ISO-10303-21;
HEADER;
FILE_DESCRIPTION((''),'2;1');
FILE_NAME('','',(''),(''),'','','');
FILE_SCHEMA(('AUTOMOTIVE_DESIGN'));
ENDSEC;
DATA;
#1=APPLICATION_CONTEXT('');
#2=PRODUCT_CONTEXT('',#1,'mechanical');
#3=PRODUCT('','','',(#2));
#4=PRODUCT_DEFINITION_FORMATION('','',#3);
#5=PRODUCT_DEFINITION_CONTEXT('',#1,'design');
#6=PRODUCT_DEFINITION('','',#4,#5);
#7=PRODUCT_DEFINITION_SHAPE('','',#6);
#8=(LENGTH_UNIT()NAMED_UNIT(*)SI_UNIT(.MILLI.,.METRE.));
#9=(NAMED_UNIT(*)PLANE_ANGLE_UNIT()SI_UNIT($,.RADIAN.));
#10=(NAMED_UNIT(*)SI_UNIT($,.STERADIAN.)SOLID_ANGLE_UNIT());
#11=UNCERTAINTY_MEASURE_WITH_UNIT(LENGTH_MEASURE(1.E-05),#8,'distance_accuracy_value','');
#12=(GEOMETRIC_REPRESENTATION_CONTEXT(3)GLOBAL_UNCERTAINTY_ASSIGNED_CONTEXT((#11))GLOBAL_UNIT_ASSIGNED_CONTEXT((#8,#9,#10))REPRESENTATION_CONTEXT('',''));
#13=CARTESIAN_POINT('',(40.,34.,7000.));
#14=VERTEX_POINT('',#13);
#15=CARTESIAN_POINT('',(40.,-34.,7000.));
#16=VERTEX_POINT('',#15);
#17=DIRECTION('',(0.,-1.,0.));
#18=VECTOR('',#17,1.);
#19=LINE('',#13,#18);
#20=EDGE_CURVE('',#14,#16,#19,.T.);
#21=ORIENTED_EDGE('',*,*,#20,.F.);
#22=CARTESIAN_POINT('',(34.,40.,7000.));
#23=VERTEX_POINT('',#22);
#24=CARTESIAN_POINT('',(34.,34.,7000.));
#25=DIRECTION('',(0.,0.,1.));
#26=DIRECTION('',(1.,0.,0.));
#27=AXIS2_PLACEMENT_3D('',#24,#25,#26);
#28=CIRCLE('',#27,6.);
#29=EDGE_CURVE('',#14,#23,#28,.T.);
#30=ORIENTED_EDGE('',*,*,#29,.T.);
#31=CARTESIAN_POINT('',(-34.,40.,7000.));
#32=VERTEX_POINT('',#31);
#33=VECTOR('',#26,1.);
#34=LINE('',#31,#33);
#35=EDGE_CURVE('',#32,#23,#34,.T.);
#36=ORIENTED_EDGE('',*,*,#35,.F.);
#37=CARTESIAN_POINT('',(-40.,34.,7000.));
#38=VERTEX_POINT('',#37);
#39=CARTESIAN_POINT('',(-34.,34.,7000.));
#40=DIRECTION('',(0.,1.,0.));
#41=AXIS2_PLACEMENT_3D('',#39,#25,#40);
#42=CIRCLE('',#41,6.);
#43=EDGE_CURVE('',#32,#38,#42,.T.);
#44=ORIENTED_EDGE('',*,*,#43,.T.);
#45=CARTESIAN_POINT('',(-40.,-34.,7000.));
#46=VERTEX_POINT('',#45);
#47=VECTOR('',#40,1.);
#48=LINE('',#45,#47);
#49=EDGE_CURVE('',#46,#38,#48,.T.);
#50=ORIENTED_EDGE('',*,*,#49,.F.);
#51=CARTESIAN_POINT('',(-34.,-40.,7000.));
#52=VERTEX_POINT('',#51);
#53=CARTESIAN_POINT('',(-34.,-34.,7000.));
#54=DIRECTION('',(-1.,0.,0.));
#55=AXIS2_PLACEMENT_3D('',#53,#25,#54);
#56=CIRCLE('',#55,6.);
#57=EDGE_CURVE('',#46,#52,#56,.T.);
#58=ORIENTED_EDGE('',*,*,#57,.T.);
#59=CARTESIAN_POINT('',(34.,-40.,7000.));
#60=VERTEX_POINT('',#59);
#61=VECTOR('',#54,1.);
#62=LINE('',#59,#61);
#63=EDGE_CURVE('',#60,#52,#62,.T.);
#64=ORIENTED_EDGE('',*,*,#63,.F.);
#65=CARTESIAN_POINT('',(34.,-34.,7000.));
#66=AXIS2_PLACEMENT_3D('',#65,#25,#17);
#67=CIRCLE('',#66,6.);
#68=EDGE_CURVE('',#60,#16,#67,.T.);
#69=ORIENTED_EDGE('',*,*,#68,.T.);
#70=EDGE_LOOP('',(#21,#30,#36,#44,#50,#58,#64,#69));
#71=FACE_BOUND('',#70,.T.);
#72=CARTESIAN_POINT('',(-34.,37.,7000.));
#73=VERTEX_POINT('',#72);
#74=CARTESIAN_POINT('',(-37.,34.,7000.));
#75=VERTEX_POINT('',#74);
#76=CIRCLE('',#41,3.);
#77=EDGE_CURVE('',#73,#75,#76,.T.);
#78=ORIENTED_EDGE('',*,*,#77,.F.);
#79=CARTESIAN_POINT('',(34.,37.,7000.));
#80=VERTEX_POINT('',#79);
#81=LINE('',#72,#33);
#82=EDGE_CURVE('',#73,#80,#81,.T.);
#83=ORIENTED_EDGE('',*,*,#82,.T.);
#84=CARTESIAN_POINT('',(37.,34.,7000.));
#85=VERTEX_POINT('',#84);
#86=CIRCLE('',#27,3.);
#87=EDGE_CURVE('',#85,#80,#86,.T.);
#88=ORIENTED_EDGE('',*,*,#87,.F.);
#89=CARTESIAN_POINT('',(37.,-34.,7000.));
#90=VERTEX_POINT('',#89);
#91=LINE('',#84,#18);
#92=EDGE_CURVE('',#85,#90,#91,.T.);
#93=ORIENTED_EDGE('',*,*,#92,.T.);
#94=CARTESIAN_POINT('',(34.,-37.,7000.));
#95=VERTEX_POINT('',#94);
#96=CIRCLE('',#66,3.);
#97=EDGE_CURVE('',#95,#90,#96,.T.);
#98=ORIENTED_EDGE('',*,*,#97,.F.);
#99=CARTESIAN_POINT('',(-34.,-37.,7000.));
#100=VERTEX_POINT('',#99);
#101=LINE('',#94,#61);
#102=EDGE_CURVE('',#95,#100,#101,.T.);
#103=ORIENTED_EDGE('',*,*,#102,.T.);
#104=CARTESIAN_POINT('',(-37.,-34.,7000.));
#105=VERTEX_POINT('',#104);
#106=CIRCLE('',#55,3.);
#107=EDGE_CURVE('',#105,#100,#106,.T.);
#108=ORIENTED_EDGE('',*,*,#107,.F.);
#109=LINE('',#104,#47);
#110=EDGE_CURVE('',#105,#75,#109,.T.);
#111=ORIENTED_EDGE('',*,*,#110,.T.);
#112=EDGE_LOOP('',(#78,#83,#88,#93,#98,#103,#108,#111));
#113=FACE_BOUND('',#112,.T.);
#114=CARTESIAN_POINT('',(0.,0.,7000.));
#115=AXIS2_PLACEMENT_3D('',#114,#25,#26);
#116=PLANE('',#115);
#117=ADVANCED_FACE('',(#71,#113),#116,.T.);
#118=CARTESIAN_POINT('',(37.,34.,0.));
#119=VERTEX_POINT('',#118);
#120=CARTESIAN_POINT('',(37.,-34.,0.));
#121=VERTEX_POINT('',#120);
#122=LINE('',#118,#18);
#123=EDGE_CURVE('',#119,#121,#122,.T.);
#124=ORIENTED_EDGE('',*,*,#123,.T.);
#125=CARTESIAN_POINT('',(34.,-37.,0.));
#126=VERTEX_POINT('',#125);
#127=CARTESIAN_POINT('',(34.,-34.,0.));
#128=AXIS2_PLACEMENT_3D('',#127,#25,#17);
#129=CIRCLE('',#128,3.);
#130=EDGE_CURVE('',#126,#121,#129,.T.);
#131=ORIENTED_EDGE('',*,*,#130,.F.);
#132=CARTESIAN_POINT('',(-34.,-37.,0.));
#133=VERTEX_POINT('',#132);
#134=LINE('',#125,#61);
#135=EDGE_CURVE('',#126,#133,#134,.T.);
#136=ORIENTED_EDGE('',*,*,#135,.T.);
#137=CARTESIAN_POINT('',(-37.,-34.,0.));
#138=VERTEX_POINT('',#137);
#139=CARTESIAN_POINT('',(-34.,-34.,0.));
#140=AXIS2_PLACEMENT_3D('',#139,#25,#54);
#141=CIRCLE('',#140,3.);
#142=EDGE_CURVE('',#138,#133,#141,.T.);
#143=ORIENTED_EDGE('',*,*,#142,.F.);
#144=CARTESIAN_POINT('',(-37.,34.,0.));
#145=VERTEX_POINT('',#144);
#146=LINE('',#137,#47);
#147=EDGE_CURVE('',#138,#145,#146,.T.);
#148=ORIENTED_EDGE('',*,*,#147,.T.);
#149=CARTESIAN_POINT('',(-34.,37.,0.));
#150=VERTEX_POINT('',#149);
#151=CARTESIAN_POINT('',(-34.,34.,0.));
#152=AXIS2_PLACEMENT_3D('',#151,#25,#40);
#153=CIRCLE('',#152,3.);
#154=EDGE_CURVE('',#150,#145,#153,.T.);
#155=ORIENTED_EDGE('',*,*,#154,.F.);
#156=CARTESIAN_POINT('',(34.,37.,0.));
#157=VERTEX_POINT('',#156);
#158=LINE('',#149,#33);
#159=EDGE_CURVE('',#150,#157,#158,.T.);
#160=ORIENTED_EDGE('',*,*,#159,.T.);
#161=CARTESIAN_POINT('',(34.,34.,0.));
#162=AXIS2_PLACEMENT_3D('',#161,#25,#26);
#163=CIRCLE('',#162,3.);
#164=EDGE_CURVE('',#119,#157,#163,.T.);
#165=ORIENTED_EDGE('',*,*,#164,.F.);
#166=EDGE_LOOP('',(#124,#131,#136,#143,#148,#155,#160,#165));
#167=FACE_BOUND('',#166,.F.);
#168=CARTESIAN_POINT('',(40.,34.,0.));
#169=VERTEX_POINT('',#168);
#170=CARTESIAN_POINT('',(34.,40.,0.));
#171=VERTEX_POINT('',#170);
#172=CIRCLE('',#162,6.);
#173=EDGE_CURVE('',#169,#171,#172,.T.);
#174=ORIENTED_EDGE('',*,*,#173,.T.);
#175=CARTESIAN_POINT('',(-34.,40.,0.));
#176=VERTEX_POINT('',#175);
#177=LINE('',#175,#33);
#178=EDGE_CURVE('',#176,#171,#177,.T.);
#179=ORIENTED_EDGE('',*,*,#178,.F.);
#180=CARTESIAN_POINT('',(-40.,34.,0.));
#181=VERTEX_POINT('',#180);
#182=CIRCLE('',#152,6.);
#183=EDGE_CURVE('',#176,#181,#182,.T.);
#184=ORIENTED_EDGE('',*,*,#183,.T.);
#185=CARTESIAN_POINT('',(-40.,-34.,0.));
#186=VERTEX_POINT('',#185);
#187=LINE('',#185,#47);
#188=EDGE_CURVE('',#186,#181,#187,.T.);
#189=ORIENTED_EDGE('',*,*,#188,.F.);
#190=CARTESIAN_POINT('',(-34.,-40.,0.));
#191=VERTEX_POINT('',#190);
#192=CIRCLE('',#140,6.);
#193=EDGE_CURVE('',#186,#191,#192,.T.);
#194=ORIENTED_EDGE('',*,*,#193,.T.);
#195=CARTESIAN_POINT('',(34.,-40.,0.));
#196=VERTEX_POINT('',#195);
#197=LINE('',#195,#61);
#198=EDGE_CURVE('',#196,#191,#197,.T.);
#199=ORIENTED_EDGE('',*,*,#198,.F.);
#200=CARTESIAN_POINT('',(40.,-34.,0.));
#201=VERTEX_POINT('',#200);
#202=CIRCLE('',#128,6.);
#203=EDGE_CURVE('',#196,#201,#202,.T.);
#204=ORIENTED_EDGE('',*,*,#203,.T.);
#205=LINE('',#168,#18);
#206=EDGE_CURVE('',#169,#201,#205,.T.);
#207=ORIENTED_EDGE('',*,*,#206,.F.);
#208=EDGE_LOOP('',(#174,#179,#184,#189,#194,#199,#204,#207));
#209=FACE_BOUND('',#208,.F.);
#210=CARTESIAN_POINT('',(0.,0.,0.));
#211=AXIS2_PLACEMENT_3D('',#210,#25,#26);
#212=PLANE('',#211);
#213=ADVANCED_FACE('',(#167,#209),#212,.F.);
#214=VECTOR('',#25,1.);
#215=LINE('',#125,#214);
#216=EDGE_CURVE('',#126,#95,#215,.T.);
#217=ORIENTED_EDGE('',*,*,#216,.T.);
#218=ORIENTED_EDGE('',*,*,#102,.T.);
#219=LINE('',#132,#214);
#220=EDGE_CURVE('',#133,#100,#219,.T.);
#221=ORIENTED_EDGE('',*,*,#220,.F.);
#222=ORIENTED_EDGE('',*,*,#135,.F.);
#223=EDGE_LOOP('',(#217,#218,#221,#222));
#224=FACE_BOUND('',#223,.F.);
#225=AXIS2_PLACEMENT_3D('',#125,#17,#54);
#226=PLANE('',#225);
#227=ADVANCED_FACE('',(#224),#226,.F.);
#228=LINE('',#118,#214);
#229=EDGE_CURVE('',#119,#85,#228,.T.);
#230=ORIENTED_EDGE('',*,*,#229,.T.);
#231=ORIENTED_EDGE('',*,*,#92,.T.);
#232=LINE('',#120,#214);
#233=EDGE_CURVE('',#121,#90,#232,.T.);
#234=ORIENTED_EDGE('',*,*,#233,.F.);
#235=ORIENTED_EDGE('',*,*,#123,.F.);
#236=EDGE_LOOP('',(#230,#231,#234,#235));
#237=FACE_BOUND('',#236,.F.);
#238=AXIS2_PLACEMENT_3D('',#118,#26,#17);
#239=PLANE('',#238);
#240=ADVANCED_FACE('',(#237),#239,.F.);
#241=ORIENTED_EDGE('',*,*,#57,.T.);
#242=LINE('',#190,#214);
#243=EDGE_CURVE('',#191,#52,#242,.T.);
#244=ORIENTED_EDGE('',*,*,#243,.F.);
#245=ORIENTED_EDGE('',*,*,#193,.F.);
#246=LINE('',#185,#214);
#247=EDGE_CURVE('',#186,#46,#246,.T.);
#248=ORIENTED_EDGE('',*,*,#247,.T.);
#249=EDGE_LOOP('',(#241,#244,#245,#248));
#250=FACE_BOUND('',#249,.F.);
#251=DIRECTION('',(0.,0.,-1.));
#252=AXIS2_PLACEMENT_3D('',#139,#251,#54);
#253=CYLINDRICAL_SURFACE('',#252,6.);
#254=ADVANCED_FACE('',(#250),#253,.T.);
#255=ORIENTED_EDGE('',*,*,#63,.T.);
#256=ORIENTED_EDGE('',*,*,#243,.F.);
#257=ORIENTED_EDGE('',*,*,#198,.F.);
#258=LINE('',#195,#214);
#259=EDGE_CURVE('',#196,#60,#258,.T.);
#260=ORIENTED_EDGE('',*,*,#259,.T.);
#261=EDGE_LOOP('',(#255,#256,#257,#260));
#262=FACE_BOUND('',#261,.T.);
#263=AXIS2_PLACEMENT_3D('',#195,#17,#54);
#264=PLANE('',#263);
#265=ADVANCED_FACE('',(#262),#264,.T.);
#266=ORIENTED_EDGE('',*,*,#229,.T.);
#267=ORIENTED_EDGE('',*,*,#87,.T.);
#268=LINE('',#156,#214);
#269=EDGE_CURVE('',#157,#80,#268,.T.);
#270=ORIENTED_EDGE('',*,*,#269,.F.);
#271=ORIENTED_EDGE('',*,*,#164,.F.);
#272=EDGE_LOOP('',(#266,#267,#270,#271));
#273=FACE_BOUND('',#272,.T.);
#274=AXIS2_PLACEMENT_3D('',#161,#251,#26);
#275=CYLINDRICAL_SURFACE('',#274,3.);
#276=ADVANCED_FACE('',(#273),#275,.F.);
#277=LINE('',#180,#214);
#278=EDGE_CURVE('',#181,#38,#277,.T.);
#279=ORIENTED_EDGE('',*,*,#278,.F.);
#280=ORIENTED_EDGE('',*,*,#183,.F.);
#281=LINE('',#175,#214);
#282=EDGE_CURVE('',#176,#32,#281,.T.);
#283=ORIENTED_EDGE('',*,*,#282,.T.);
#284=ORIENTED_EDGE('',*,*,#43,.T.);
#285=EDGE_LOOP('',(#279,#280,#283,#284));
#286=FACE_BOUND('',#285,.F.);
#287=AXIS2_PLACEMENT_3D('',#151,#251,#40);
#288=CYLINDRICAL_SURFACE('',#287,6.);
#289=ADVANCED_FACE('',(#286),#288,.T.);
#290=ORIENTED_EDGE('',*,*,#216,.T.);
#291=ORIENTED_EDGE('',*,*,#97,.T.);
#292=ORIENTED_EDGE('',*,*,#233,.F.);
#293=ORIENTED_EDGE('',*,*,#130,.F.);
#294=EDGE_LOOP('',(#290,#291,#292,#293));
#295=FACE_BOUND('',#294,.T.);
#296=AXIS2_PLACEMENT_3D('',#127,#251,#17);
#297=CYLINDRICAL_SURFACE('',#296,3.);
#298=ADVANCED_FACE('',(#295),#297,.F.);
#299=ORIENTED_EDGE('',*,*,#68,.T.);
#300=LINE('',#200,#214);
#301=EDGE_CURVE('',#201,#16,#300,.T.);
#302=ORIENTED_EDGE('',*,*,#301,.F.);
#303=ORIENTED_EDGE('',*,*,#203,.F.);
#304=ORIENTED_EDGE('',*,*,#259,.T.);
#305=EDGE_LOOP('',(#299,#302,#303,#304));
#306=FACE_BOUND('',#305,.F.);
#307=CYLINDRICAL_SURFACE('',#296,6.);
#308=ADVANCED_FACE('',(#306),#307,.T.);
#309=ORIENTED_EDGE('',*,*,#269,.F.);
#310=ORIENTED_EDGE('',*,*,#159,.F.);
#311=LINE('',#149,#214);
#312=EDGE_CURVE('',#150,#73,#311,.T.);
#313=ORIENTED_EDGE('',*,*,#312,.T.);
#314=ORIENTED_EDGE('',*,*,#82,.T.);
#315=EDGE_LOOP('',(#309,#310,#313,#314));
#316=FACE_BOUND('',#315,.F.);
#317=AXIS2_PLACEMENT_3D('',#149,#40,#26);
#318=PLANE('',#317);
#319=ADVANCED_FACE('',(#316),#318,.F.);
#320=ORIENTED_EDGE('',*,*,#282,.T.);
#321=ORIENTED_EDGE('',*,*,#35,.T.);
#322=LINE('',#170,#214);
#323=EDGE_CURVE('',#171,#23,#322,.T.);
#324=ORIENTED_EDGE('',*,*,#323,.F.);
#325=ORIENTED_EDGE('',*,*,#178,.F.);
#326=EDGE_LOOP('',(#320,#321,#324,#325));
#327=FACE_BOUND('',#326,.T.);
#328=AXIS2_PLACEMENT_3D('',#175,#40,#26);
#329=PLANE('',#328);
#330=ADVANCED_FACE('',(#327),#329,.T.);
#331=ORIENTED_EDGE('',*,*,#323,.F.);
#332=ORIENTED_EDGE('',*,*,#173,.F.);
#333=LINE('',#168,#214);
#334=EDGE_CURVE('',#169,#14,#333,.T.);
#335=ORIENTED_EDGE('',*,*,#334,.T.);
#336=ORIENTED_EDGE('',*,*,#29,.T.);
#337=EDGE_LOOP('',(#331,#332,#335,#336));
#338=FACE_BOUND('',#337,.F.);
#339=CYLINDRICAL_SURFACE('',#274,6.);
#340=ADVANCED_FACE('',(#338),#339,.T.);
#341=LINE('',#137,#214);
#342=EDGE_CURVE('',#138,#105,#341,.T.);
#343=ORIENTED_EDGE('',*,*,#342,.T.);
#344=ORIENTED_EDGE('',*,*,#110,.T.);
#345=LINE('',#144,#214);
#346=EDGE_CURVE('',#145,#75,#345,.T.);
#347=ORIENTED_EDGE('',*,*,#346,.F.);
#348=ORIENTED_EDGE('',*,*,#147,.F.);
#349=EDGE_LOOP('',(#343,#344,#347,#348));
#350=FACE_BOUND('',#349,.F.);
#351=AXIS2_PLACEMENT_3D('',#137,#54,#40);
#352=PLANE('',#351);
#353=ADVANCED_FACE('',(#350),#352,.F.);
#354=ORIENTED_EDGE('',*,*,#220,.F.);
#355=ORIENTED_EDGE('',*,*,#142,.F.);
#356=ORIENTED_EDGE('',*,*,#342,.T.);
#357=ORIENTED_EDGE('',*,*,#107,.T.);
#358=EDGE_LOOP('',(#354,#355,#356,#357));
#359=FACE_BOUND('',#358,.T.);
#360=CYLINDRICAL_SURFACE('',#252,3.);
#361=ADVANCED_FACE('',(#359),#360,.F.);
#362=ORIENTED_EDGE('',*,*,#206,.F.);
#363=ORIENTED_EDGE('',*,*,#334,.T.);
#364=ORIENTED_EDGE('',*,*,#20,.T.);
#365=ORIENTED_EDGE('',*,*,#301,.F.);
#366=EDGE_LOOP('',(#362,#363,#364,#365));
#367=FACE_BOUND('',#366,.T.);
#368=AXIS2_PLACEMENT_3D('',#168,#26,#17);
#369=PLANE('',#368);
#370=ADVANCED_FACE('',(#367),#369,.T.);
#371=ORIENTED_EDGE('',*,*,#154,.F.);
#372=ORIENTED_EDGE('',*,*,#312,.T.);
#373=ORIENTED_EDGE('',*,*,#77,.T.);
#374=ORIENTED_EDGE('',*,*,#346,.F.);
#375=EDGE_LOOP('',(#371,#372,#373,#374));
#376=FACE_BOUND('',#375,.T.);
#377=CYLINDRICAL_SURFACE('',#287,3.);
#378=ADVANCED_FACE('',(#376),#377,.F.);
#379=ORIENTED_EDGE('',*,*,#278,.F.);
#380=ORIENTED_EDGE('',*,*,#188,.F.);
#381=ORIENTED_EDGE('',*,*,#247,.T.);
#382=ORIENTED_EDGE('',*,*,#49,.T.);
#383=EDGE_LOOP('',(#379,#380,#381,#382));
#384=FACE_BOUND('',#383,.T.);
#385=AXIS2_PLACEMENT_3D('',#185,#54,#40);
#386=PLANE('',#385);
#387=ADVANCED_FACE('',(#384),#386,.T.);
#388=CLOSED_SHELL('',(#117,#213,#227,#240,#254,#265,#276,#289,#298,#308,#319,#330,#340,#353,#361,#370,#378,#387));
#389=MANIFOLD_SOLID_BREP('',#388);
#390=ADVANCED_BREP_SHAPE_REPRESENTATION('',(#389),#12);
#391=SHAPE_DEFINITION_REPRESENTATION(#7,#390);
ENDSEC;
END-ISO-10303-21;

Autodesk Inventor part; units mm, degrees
ref_plane "YZ Plane" through (0, 0, 0) normal (1, 0, 0) x (0, 1, 0)
ref_plane "Start Plane" through (0, 0, 0) normal (0, 0, 1) x (1, 0, 0)
ref_plane "End Plane" through (0, 0, 7000) normal (0, 0, 1) x (1, 0, 0)
sketch "Sketch" plane through (0, 0, 0) normal (0, 0, 1) x (1, 0, 0)
  line L0 (-40, -34) -> (-40, 34)
  line L1 (-34, 40) -> (34, 40)
  line L2 (40, 34) -> (40, -34)
  line L3 (34, -40) -> (-34, -40)
  arc A0 (-40, -34) -> (-34, -40) centre (-34, -34) ccw
  arc A1 (40, 34) -> (34, 40) centre (34, 34) ccw
  arc A2 (-34, 40) -> (-40, 34) centre (-34, 34) ccw
  arc A3 (34, -40) -> (40, -34) centre (34, -34) ccw
  arc A4 (-34, 37) -> (-37, 34) centre (-34, 34) ccw
  line L4 (-34, 37) -> (34, 37)
  arc A5 (37, 34) -> (34, 37) centre (34, 34) ccw
  line L5 (37, 34) -> (37, -34)
  arc A6 (34, -37) -> (37, -34) centre (34, -34) ccw
  line L6 (34, -37) -> (-34, -37)
  arc A7 (-37, -34) -> (-34, -37) centre (-34, -34) ccw
  line L7 (-37, -34) -> (-37, 34)
  line L8 (0, 57.7397) -> (0, -57.7397) construction
  line L9 (-57.7397, 0) -> (57.7397, 0) construction
  dimension "d7" = 6
  dimension "d9" = 80
  dimension "d11" = 80
  dimension "d12" = 3
  dimension "d15" = 40
  dimension "d16" = 40
extrude "Body" add sketch "Sketch" along normal up to surface (7000 mm away) from surface at 0
sketch "Sketch3" plane through (0, 0, 0) normal (0, 0, 1) x (1, 0, 0)
  line L0 (0, 0) -> (10, 0)
ref_plane "Work Plane3" through (0, 0, 0) normal (0, -1, 0) x (1, 0, 0)
sketch "Sketch4" plane through (0, 0, 0) normal (0, -1, 0) x (1, 0, 0)
  line L0 (-2, 0) -> (12, 0) projected
  line L1 (-2, 7000) -> (12, 7000) projected
  dimension "d18" = 7000
equation "\"d7\" = G_IR"
equation "\"d9\" = G_W"
equation "\"d11\" = G_H"
equation "\"d12\" = G_T"
equation "\"d15\" = 0.5 * d9"
equation "\"d16\" = 0.5 * d11"
equation "\"d3\" = G_L"
equation "\"G_W\" = 80"
equation "\"G_H\" = 80"
equation "\"G_T\" = 3"
equation "\"G_IR\" = 6"
equation "\"G_L\" = d18"
equation "\"G_OFFSET_START\" = 0"
equation "\"G_OFFSET_END\" = 0"
properties part number "ISO 10799-2 - 80x80x3 - 7000" material "Steel, Mild"
